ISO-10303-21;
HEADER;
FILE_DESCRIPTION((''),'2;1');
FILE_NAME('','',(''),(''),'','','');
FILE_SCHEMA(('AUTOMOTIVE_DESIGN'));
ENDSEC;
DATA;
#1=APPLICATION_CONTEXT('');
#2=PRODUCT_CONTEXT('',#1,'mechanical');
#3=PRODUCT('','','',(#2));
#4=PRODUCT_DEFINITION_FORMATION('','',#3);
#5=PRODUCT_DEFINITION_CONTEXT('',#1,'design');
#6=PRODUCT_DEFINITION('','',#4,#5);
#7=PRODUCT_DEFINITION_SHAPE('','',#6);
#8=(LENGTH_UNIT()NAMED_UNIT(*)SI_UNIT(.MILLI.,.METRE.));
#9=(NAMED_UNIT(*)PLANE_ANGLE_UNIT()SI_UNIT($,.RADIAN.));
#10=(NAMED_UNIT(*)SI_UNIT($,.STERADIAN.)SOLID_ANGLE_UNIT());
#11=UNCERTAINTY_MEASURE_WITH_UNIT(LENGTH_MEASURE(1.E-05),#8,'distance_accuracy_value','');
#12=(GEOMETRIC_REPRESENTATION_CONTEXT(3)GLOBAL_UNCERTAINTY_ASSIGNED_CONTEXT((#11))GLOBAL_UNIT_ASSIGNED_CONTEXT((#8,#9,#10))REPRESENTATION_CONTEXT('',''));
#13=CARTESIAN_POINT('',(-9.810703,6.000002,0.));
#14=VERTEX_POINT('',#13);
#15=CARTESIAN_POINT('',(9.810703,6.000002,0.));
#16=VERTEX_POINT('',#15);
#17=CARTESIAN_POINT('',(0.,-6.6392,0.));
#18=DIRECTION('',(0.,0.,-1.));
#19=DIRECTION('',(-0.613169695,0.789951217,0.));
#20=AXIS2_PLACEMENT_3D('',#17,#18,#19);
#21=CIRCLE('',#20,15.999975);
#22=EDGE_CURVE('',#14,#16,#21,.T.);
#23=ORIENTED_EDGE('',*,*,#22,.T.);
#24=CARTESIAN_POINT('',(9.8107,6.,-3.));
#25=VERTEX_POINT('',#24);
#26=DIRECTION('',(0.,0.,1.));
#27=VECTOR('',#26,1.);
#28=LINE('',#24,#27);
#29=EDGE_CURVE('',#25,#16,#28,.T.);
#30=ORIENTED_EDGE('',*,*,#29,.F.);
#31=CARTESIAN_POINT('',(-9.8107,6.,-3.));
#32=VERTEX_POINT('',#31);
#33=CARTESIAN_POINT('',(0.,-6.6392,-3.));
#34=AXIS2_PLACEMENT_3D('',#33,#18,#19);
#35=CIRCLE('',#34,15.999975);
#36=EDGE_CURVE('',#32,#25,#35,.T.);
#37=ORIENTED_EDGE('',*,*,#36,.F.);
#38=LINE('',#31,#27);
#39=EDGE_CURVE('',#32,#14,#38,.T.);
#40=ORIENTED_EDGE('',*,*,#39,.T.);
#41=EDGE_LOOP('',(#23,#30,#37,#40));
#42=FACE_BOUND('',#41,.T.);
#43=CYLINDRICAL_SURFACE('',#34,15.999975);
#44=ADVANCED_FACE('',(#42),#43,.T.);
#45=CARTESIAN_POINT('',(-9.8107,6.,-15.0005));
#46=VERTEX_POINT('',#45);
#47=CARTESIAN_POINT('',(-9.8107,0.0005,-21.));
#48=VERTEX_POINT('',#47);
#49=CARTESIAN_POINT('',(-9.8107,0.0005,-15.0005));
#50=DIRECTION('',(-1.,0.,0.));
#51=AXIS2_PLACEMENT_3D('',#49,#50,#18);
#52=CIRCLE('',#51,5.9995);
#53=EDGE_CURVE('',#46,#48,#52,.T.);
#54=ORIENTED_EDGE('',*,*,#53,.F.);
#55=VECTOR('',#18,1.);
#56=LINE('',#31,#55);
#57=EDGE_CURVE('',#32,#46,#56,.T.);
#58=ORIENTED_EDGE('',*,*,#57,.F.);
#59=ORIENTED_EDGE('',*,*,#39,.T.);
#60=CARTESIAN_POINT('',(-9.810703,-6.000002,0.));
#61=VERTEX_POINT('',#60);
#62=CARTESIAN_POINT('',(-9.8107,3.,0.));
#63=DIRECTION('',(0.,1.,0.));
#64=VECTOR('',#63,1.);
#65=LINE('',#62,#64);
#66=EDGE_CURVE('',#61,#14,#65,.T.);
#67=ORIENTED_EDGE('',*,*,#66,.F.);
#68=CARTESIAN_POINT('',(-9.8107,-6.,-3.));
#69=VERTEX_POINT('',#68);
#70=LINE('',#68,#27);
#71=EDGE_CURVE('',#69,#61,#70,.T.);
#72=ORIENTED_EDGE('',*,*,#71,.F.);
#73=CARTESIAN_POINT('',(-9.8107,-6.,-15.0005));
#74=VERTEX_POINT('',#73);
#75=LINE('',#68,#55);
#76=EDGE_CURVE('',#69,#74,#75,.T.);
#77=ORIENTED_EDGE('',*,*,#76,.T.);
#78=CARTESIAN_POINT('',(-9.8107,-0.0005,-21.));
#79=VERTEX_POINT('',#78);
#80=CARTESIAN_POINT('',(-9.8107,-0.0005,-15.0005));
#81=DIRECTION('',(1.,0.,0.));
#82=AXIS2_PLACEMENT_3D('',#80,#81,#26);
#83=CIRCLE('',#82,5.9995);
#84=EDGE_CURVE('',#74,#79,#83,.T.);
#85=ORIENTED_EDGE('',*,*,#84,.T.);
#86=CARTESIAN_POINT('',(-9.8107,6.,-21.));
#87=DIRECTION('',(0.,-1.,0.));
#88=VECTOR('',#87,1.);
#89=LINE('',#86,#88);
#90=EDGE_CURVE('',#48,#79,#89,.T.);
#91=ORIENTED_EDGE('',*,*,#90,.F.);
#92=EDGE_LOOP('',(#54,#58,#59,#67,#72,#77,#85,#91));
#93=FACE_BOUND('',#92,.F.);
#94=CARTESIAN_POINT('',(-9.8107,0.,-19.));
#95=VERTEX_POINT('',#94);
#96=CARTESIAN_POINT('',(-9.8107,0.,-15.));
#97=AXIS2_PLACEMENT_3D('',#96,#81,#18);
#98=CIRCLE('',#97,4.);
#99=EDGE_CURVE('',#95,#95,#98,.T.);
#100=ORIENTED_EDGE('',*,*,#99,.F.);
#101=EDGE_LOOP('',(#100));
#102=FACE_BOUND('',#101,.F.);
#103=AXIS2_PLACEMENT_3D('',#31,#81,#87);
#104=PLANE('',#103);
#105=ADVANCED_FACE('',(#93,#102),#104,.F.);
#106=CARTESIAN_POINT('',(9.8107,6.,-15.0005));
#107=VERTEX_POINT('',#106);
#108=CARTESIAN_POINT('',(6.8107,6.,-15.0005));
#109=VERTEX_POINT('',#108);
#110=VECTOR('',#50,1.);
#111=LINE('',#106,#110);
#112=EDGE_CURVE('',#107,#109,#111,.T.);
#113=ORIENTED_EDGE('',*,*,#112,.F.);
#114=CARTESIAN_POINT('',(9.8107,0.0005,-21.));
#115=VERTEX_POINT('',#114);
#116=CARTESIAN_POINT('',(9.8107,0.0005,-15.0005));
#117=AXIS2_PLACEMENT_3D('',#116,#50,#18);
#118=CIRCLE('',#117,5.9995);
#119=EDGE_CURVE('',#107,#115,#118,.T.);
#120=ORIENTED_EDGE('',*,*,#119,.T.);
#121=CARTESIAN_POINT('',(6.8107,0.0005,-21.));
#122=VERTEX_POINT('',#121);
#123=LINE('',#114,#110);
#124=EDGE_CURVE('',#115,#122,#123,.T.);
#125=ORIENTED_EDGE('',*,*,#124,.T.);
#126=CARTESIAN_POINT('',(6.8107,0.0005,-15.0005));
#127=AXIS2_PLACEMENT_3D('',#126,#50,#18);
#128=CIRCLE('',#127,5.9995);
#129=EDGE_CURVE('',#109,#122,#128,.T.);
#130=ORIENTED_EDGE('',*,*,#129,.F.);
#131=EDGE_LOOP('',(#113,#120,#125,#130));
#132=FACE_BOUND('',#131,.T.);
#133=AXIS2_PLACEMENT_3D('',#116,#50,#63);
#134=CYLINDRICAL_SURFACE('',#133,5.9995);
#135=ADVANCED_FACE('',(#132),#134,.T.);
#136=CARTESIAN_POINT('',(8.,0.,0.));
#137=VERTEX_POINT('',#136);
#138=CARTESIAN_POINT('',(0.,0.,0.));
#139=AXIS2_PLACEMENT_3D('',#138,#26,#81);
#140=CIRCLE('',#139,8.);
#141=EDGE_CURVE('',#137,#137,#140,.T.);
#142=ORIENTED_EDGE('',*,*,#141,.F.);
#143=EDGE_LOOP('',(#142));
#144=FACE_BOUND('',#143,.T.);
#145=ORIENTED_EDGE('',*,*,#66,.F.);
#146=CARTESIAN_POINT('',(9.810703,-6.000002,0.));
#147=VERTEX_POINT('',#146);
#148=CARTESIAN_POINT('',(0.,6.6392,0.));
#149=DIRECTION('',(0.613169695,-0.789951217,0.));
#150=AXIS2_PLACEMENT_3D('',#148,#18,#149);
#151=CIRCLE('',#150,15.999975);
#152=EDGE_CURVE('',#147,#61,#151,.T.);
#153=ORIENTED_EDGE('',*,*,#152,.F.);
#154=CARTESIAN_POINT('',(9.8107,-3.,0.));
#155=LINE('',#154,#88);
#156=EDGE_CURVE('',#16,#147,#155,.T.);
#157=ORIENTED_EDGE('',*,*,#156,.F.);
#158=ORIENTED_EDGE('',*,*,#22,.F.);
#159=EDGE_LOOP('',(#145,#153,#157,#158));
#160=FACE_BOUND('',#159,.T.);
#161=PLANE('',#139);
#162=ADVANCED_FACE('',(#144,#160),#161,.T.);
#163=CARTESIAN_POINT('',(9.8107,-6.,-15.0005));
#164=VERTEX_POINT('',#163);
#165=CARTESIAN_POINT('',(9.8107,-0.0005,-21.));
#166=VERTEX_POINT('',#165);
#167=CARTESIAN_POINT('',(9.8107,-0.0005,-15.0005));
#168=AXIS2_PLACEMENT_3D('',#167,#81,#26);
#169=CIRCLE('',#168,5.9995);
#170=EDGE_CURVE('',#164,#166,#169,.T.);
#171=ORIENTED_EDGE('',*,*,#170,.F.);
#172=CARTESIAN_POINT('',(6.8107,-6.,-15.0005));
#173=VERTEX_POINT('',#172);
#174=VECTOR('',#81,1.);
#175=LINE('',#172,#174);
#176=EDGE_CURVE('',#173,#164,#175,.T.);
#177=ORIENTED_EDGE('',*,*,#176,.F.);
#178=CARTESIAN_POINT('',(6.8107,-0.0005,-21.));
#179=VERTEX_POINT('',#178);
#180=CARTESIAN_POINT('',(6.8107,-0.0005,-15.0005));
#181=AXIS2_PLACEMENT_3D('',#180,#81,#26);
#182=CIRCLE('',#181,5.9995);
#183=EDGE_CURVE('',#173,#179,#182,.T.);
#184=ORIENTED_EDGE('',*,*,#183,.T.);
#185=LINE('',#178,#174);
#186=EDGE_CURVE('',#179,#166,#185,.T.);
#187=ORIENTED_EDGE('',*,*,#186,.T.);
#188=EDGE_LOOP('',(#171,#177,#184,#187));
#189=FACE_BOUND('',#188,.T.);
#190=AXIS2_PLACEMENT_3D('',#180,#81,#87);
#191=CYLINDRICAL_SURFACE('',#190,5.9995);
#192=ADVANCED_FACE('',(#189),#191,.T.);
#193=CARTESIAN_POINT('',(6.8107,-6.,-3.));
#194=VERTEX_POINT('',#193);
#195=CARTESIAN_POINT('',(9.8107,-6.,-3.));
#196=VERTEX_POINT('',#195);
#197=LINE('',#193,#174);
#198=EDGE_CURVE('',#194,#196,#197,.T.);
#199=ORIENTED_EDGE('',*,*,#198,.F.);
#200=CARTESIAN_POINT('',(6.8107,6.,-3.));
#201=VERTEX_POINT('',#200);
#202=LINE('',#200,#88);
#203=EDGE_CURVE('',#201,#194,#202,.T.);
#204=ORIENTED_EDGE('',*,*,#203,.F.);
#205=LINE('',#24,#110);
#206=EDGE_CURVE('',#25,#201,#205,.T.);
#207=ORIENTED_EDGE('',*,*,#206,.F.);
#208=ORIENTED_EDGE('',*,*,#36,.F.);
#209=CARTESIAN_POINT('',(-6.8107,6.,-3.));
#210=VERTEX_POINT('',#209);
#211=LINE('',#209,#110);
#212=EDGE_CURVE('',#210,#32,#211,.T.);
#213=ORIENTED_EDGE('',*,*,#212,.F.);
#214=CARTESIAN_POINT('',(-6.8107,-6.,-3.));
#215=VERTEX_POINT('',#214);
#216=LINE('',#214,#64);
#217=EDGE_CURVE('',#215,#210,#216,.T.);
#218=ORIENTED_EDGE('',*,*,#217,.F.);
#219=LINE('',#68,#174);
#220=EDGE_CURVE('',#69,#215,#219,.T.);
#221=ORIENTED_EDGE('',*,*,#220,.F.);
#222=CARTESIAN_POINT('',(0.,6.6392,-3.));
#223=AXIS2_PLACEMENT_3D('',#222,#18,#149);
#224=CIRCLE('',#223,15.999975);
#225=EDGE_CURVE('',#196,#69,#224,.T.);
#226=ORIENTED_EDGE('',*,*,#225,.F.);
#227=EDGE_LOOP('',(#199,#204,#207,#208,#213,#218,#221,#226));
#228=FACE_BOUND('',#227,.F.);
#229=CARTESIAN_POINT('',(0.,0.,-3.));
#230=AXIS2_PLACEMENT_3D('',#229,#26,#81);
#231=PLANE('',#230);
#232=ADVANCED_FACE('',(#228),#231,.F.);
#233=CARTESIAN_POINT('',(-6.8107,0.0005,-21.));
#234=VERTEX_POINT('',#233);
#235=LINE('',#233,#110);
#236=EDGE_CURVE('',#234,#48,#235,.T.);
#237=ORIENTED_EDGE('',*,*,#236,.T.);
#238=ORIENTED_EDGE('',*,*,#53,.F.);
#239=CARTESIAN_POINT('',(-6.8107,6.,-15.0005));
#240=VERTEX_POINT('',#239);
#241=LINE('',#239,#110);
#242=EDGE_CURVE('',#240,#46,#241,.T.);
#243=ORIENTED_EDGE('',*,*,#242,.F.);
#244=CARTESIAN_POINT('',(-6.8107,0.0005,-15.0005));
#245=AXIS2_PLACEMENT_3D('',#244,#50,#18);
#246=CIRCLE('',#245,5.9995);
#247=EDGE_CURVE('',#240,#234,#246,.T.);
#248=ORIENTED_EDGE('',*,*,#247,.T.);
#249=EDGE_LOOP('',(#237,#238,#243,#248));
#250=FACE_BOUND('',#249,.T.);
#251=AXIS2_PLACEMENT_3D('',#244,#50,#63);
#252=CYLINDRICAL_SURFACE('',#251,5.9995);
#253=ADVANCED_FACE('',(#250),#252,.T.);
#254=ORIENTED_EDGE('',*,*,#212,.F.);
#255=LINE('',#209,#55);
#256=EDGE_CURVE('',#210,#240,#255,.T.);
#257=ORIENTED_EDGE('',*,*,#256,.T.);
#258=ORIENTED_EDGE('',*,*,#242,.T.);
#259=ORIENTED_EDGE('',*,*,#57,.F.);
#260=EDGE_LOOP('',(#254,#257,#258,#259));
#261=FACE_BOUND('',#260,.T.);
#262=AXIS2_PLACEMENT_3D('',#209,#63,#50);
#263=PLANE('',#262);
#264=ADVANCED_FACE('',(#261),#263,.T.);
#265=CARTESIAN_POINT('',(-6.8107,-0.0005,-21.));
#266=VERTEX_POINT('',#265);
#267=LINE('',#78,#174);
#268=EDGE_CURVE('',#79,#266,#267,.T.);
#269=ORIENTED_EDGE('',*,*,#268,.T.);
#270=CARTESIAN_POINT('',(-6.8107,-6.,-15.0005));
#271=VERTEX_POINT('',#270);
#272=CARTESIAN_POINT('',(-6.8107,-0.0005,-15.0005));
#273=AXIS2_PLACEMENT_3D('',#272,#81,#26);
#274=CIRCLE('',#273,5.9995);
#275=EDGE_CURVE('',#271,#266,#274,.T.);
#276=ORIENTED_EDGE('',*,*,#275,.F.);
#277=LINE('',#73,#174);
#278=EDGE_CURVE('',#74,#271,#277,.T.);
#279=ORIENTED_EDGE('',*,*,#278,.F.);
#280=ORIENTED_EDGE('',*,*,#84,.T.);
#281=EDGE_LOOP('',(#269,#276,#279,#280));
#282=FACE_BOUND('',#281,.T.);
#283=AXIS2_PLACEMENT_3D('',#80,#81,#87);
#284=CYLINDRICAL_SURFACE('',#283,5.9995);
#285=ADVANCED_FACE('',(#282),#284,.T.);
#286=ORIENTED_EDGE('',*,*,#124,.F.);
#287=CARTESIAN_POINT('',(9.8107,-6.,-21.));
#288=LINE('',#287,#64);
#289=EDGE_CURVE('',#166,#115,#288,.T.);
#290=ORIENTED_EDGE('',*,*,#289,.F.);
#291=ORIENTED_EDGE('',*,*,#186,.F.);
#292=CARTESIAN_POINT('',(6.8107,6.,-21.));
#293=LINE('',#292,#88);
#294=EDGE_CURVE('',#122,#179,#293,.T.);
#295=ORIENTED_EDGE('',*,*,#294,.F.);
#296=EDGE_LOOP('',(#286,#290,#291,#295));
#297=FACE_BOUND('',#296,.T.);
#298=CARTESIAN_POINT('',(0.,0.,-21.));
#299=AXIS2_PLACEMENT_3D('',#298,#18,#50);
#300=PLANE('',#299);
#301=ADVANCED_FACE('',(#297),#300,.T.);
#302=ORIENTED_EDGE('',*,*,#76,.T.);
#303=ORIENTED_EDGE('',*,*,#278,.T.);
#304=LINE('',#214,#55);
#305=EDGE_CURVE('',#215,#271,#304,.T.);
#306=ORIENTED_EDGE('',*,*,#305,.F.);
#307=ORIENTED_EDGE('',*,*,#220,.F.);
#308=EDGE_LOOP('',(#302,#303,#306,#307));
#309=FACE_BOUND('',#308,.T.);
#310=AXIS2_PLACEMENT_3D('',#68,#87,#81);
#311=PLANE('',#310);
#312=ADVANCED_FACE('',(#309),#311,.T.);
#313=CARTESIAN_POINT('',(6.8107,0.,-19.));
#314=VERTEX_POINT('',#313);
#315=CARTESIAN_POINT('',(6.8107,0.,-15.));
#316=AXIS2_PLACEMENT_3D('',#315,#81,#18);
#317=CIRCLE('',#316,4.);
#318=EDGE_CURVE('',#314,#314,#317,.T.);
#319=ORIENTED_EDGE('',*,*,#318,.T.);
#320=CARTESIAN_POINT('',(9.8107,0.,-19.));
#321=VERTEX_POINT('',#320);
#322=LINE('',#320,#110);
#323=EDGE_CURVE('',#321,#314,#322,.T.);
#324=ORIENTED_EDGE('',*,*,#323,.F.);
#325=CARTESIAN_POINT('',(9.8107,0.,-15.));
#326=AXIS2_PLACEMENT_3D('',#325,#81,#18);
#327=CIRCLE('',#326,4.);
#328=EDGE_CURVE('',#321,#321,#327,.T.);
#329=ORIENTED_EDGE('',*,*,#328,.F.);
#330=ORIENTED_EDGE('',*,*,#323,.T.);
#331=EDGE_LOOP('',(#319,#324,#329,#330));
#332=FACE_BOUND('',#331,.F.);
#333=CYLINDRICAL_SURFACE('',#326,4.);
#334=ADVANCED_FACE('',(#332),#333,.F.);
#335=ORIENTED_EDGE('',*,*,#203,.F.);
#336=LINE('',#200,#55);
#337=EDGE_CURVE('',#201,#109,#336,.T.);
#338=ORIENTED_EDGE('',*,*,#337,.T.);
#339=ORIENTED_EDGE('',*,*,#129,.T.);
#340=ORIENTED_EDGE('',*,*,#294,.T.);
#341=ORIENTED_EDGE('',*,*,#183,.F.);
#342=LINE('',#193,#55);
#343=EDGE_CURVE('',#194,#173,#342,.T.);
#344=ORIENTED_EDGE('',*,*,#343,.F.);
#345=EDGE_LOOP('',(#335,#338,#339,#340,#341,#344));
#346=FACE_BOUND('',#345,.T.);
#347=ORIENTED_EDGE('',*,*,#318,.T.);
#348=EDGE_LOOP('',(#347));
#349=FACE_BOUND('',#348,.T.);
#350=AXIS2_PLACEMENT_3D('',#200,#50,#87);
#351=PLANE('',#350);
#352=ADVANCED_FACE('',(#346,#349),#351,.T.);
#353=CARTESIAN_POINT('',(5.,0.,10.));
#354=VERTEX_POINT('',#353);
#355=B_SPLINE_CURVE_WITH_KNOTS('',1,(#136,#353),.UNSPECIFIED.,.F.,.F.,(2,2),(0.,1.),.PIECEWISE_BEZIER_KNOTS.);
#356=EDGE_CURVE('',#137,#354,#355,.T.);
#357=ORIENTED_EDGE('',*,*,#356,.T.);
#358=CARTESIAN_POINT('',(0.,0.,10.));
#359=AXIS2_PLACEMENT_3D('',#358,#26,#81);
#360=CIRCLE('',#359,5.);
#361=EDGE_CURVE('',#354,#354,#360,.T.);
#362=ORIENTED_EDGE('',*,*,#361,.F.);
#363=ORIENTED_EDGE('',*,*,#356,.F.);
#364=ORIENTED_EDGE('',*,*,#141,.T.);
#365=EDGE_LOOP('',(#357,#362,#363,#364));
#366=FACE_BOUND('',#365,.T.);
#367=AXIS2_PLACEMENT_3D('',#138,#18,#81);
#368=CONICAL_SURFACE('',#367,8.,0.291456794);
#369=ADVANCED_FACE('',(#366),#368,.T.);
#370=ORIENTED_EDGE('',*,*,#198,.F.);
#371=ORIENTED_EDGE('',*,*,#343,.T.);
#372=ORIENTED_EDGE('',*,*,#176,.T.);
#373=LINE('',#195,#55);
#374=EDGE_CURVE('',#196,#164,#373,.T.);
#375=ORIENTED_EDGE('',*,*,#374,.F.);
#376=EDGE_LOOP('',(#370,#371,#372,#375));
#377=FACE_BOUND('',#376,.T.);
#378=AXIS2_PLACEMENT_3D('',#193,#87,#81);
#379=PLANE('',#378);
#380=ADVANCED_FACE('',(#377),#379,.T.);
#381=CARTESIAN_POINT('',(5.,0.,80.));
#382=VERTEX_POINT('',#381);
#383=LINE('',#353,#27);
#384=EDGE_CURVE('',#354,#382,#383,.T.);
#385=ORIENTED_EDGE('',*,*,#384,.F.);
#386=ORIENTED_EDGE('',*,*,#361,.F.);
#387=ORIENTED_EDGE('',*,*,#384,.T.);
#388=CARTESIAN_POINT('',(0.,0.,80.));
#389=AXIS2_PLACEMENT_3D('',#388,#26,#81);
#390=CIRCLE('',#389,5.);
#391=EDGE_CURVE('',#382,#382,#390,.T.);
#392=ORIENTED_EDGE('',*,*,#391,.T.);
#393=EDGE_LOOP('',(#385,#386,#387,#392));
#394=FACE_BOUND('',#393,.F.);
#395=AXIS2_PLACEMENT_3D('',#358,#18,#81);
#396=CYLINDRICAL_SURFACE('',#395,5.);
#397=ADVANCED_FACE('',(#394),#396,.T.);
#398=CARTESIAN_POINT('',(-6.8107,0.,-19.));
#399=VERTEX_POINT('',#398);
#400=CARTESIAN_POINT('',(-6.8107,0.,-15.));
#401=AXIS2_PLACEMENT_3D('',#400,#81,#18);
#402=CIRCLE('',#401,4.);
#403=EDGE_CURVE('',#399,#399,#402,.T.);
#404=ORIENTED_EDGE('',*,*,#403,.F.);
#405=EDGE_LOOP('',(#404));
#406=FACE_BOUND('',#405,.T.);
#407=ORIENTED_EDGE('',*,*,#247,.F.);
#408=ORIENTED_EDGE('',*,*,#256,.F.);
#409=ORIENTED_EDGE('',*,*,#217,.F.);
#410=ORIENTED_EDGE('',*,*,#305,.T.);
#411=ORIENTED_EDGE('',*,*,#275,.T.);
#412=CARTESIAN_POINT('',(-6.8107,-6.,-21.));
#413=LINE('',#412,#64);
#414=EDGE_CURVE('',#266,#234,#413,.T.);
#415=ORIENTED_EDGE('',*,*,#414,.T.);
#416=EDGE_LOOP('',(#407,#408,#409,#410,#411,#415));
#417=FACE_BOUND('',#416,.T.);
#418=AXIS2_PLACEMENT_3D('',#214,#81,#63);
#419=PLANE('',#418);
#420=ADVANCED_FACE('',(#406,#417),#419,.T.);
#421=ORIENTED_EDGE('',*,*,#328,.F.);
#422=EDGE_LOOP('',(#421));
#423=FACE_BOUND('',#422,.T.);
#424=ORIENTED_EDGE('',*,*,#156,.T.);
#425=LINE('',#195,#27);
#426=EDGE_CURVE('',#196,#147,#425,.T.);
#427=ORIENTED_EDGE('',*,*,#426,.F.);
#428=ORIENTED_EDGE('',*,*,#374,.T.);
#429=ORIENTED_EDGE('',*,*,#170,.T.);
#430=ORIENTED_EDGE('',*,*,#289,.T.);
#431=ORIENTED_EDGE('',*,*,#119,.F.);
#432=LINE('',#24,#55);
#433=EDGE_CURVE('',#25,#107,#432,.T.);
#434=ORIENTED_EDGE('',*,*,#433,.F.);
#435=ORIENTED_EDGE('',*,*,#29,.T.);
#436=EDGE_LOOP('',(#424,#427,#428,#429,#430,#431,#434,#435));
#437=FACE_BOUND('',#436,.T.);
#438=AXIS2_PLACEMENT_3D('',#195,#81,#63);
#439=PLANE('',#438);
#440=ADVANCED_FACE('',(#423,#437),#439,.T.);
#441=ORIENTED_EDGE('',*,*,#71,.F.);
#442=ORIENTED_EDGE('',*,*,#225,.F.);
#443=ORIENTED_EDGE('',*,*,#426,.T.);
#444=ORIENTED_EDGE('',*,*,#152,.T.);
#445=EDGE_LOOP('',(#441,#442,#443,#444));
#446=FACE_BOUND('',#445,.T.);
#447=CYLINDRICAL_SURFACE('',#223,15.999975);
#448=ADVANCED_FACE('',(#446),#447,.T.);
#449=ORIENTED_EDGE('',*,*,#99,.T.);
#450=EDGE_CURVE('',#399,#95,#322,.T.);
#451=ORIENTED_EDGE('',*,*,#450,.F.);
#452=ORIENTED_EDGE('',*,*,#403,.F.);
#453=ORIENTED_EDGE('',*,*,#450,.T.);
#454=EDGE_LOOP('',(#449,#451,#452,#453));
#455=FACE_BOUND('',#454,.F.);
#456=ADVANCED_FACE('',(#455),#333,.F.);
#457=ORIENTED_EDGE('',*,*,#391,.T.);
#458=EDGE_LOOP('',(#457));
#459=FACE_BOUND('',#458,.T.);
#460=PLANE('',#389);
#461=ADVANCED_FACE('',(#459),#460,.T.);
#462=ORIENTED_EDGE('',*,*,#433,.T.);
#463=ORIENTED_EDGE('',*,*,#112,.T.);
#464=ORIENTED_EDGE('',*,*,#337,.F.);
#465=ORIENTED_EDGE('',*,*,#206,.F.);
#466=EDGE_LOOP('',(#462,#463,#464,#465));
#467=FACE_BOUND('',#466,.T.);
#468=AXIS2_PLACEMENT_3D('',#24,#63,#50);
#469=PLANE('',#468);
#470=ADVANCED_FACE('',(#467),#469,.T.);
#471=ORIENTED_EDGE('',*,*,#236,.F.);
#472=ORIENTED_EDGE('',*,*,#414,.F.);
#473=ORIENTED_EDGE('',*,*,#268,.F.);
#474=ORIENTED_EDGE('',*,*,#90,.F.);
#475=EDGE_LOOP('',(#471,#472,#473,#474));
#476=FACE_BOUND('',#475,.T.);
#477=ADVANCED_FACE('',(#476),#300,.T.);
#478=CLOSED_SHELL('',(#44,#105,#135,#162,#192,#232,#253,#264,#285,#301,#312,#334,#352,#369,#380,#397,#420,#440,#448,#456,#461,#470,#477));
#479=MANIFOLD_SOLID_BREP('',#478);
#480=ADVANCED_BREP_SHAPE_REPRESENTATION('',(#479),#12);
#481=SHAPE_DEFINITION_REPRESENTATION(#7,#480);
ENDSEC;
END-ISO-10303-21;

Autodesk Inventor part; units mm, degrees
ref_plane "YZ Plane" through (0, 0, 0) normal (1, 0, 0) x (0, 1, 0)
ref_plane "XZ Plane" through (0, 0, 0) normal (0, 1, 0) x (-1, 0, 0)
sketch "Sketch1" plane through (0, 0, 0) normal (0, 0, 1) x (1, 0, 0)
  circle A0 centre (0, 0) radius 11.5
extrude "Extrusion1" add sketch "Sketch1" against normal blind 3
sketch "Sketch2" plane through (0, 0, -3) normal (0, 0, -1) x (-1, 0, 0)
  line L0 (-9.8107, 6) -> (-6.8107, 6)
  line L1 (-6.8107, 6) -> (-6.8107, -6)
  line L2 (-6.8107, -6) -> (-9.8107, -6)
  line L3 (-9.8107, -6) -> (-9.8107, 6)
  line L4 (6.8107, 6) -> (9.8107, 6)
  line L5 (9.8107, 6) -> (9.8107, -6)
  line L6 (9.8107, -6) -> (6.8107, -6)
  line L7 (6.8107, -6) -> (6.8107, 6)
  circle A0 centre (0, 0) radius 11.5 construction
  line L8 (0, 11.5) -> (0, -11.5) construction
  arc A1 (-9.8107, 6) -> (-9.8107, -6) centre (0, 0) ccw
  arc A2 (9.8107, -6) -> (9.8107, 6) centre (0, 0) ccw
  arc A3 (9.8107, 6) -> (-9.8107, 6) centre (0, -6.6392) ccw
  arc A4 (-9.8107, -6) -> (9.8107, -6) centre (0, 6.6392) ccw
  circle A5 centre (0, 0) radius 11.5
  point P0 (6.8107, 0)
  dimension "d18" = 3
  dimension "d19" = 12
  dimension "d29" = 16
extrude "Extrusion4" add sketch "Sketch2" along normal blind 18 contours L0 L1 L2 L3 | L5 L6 L7 L4
fillet "Fillet3" radius 6 4 edges at (8.3107, 6, -21) (8.3107, -6, -21) (-8.3107, 6, -21) (-8.3107, -6, -21)
sketch "Sketch3" plane through (9.8107, -6, -3) normal (1, 0, 0) x (0, 0, -1)
  arc A0 (12, 0) -> (12, 12) centre (12, 6) ccw construction
  circle A1 centre (12, 6) radius 4
  point P0 (-3, 6)
  dimension "d23" = 8
extrude "Extrusion5" cut sketch "Sketch3" against normal through all
extrude "Extrusion6" cut sketch "Sketch2" against normal blind 10 contours L3 A1 | A5 A3 | A4 A5 | A2 L5
sketch "Sketch5" plane through (0, 0, 0) normal (0, 0, 1) x (1, 0, 0)
  circle A0 centre (0, 0) radius 8
  dimension "d35" = 16
ref_plane "Work Plane1" through (0, 0, 10) normal (0, 0, 1) x (1, 0, 0)
sketch "Sketch6" plane through (0, 0, 10) normal (0, 0, 1) x (1, 0, 0)
  circle A0 centre (0, 0) radius 8 construction
  circle A1 centre (0, 0) radius 5
  dimension "d37" = 10
loft "Loft1" add profiles "Sketch5", "Sketch6"
sketch "Sketch7" plane through (0, 0, 10) normal (0, 0, 1) x (1, 0, 0)
  circle A0 centre (0, 0) radius 5
  circle A1 centre (0, 0) radius 5 construction
extrude "Extrusion8" add sketch "Sketch7" along normal blind 70
properties part number "wheel hub"
